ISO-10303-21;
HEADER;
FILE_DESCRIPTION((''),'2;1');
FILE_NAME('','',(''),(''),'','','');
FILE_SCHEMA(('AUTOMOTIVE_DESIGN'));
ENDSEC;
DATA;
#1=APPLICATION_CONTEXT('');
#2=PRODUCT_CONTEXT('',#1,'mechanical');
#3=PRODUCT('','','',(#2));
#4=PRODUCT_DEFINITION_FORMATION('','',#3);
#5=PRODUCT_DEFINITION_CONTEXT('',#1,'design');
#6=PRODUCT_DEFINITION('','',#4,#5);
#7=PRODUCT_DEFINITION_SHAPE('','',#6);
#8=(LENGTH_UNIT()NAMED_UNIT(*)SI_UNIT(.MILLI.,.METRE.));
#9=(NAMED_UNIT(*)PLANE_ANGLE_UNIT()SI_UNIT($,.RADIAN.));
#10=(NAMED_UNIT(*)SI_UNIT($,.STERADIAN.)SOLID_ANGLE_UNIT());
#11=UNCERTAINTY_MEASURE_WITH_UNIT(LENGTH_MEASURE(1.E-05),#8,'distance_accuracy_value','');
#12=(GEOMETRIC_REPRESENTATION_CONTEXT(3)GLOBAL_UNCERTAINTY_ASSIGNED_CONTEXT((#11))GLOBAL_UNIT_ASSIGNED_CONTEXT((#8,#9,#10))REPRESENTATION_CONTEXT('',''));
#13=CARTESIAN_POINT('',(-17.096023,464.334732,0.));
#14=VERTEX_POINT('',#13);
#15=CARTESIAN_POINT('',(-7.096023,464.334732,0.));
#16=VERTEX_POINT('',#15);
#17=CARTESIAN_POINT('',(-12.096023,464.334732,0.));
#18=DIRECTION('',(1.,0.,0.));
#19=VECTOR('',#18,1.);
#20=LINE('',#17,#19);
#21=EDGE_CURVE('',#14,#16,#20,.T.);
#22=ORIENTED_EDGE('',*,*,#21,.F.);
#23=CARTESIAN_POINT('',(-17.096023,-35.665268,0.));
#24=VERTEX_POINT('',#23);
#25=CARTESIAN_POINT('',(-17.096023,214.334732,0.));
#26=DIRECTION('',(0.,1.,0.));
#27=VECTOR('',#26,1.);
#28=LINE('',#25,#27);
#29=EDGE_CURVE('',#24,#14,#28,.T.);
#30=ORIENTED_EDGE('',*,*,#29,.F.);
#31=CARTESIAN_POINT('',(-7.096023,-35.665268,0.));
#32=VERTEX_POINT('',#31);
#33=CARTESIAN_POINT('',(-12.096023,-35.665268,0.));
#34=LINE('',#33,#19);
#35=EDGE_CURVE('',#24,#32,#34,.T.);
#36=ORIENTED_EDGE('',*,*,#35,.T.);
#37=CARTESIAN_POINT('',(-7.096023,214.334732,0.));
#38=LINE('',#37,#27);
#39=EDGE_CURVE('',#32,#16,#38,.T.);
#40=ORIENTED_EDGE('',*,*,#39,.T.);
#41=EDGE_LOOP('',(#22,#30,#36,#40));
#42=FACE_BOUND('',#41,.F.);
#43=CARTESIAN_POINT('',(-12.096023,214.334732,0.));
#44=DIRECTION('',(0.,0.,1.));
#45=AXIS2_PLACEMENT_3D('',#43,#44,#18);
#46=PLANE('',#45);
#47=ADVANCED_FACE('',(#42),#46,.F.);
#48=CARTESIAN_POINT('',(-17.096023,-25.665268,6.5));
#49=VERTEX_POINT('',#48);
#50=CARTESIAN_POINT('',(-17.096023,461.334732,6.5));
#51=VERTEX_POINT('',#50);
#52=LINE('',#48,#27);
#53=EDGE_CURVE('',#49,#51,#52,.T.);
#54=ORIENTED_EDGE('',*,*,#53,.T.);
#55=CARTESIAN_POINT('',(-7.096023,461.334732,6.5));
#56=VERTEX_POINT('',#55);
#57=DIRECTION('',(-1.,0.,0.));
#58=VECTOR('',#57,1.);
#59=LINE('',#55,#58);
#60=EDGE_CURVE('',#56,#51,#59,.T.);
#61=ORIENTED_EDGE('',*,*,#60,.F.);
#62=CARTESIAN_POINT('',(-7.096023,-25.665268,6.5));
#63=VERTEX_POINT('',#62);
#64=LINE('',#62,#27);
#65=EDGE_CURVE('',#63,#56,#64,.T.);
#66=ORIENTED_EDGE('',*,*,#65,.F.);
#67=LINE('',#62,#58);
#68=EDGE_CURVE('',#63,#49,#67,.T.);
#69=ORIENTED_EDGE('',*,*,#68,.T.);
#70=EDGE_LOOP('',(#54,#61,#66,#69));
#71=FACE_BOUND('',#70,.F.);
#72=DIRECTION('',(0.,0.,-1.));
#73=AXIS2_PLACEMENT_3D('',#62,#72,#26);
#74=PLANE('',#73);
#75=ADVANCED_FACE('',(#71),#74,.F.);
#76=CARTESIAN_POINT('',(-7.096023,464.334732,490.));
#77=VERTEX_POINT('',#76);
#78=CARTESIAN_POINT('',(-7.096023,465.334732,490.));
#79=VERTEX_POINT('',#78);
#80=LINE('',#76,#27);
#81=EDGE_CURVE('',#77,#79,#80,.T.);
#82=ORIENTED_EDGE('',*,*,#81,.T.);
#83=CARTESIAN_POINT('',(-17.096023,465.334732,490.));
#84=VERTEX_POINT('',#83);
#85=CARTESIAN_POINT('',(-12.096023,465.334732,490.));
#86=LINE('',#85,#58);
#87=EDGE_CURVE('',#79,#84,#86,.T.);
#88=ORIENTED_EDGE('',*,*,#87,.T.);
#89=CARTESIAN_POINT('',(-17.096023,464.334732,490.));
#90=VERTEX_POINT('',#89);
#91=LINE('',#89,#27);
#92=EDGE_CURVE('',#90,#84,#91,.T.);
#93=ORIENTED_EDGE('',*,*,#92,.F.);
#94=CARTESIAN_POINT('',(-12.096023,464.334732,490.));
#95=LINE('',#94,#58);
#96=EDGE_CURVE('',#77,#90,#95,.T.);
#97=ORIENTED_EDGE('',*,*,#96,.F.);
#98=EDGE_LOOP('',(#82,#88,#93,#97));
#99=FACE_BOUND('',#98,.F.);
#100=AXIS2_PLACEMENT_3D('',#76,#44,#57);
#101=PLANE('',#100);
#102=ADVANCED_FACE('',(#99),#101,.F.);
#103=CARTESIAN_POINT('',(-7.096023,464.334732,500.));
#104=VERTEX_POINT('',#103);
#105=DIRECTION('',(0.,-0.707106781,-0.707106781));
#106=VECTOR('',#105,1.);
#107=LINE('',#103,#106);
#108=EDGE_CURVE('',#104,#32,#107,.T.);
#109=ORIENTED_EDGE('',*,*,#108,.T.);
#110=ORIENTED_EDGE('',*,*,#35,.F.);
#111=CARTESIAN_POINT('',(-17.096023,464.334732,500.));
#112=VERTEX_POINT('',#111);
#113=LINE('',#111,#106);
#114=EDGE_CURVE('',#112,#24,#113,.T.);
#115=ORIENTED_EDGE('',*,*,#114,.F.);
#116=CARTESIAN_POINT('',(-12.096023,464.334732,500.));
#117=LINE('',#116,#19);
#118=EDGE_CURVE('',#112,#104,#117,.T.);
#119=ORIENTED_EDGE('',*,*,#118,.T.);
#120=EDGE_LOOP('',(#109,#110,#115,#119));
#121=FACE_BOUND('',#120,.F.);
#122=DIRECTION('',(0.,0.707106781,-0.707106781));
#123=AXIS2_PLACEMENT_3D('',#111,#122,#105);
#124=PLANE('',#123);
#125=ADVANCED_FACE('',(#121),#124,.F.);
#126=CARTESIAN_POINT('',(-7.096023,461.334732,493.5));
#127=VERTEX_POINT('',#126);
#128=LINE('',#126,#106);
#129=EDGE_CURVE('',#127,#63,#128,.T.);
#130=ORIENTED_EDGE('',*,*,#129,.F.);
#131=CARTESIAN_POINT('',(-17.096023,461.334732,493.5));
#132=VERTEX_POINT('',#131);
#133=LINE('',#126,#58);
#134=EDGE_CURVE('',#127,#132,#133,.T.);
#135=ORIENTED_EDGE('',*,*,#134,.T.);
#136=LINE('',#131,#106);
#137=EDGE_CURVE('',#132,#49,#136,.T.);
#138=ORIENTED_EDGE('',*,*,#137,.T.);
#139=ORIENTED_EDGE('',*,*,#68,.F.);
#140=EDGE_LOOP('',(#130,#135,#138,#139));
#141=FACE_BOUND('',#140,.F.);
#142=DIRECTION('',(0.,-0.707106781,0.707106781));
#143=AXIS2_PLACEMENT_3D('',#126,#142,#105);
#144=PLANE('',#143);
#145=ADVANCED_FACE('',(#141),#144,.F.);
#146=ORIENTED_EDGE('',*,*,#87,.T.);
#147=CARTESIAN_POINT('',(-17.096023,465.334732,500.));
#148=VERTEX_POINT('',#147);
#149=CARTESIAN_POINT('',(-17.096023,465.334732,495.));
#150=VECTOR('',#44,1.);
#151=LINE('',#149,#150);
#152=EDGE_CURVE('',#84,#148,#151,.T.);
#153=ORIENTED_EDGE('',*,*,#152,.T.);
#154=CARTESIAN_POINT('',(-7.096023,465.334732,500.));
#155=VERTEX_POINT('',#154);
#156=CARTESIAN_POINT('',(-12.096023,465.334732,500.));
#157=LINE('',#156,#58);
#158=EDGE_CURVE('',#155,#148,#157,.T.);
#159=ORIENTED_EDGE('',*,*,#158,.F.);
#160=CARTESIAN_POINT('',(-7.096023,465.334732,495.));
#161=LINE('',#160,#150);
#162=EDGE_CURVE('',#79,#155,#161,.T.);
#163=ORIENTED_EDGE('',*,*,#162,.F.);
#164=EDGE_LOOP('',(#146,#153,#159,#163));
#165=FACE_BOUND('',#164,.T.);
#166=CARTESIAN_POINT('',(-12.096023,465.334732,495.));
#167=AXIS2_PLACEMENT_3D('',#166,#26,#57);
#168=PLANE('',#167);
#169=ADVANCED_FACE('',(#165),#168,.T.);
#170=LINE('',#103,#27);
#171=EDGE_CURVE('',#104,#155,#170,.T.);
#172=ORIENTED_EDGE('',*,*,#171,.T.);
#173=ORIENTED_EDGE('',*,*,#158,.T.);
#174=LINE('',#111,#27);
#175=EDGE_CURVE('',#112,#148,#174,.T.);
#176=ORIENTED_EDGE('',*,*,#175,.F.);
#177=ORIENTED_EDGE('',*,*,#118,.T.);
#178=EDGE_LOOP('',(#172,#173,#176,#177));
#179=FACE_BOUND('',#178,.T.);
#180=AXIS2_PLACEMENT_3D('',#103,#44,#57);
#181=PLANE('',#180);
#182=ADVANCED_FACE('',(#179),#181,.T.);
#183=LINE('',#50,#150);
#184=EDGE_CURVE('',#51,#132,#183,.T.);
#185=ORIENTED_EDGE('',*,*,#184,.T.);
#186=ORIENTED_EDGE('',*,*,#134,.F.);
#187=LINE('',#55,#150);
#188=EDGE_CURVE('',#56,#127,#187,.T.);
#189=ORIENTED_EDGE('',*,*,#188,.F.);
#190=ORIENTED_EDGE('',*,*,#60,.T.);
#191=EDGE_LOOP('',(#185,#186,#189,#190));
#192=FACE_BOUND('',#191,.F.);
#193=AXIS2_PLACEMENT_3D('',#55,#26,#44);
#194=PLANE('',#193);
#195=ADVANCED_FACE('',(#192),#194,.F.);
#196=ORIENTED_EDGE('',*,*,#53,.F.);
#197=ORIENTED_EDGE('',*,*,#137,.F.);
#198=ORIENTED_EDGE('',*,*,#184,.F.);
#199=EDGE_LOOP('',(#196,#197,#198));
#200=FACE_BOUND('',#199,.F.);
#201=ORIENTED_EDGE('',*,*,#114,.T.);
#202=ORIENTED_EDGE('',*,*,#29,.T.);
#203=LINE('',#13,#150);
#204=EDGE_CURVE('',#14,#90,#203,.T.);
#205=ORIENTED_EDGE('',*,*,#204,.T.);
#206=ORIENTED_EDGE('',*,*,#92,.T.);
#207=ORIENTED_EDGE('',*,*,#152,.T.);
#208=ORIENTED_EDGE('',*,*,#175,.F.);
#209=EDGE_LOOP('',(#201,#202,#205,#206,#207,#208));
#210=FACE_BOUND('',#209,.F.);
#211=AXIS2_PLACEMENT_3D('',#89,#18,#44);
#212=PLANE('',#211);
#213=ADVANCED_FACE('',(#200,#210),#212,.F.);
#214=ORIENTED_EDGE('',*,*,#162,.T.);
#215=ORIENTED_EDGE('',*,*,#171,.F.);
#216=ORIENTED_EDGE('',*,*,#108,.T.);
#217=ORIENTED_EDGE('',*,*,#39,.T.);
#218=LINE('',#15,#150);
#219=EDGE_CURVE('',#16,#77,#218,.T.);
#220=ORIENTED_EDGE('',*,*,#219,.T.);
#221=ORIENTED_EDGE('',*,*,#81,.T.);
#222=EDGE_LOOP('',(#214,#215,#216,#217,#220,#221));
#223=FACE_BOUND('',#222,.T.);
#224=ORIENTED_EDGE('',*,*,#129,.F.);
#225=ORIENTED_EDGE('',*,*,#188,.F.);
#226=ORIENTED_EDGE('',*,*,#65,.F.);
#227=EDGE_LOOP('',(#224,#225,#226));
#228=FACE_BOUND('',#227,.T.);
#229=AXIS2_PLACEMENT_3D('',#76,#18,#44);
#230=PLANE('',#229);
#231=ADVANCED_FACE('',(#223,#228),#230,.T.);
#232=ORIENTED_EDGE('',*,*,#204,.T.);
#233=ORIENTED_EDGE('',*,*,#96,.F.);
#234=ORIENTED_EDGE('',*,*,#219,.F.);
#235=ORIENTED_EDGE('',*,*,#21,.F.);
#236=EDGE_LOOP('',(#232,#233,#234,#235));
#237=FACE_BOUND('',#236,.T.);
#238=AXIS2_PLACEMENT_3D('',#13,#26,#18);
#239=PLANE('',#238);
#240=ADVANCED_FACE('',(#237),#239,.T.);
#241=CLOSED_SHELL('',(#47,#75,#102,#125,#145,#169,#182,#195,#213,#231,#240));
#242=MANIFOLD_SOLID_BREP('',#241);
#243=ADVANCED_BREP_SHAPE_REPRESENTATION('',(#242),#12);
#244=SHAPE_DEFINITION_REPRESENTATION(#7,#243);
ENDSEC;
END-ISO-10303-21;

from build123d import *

# Parameters (mm, degrees)
F0_W     = 10
F0_H     = 500
F1_DEPTH = 500
F3_DEPTH = 10
F5_DEPTH = 10
F6_W     = 10
F6_H     = 10
F7_DEPTH = 1


with BuildPart() as f1:
    # F0 (on Top) → F1 (new body)
    with BuildSketch(Plane.XY):
        with Locations((-12.096023, 214.334732)):
            Rectangle(F0_W, F0_H)
    extrude(amount=F1_DEPTH)

    # F2 (on face) → F3 (cut)
    with BuildSketch(Plane(origin=(-17.096023, 0, 0), x_dir=(0, -1, 0), z_dir=(-1, 0, 0))):
        Polygon((35.665268, 500), (-464.334732, 500), (35.665268, 0), align=None)
    extrude(amount=-F3_DEPTH, mode=Mode.SUBTRACT)

    # F4 (on face) → F5 (cut)
    with BuildSketch(Plane.YZ.offset(-7.096023)):
        Polygon((461.334732, 493.5), (-25.665268, 6.5), (461.334732, 6.5), align=None)
    extrude(amount=-F5_DEPTH, mode=Mode.SUBTRACT)

    # F6 (on face) → F7 (join)
    with BuildSketch(Plane(origin=(0, 464.334732, 0), x_dir=(-1, 0, 0), z_dir=(0, 1, 0))):
        with Locations((12.096023, 495)):
            Rectangle(F6_W, F6_H)
    extrude(amount=F7_DEPTH)


solid = f1.part
